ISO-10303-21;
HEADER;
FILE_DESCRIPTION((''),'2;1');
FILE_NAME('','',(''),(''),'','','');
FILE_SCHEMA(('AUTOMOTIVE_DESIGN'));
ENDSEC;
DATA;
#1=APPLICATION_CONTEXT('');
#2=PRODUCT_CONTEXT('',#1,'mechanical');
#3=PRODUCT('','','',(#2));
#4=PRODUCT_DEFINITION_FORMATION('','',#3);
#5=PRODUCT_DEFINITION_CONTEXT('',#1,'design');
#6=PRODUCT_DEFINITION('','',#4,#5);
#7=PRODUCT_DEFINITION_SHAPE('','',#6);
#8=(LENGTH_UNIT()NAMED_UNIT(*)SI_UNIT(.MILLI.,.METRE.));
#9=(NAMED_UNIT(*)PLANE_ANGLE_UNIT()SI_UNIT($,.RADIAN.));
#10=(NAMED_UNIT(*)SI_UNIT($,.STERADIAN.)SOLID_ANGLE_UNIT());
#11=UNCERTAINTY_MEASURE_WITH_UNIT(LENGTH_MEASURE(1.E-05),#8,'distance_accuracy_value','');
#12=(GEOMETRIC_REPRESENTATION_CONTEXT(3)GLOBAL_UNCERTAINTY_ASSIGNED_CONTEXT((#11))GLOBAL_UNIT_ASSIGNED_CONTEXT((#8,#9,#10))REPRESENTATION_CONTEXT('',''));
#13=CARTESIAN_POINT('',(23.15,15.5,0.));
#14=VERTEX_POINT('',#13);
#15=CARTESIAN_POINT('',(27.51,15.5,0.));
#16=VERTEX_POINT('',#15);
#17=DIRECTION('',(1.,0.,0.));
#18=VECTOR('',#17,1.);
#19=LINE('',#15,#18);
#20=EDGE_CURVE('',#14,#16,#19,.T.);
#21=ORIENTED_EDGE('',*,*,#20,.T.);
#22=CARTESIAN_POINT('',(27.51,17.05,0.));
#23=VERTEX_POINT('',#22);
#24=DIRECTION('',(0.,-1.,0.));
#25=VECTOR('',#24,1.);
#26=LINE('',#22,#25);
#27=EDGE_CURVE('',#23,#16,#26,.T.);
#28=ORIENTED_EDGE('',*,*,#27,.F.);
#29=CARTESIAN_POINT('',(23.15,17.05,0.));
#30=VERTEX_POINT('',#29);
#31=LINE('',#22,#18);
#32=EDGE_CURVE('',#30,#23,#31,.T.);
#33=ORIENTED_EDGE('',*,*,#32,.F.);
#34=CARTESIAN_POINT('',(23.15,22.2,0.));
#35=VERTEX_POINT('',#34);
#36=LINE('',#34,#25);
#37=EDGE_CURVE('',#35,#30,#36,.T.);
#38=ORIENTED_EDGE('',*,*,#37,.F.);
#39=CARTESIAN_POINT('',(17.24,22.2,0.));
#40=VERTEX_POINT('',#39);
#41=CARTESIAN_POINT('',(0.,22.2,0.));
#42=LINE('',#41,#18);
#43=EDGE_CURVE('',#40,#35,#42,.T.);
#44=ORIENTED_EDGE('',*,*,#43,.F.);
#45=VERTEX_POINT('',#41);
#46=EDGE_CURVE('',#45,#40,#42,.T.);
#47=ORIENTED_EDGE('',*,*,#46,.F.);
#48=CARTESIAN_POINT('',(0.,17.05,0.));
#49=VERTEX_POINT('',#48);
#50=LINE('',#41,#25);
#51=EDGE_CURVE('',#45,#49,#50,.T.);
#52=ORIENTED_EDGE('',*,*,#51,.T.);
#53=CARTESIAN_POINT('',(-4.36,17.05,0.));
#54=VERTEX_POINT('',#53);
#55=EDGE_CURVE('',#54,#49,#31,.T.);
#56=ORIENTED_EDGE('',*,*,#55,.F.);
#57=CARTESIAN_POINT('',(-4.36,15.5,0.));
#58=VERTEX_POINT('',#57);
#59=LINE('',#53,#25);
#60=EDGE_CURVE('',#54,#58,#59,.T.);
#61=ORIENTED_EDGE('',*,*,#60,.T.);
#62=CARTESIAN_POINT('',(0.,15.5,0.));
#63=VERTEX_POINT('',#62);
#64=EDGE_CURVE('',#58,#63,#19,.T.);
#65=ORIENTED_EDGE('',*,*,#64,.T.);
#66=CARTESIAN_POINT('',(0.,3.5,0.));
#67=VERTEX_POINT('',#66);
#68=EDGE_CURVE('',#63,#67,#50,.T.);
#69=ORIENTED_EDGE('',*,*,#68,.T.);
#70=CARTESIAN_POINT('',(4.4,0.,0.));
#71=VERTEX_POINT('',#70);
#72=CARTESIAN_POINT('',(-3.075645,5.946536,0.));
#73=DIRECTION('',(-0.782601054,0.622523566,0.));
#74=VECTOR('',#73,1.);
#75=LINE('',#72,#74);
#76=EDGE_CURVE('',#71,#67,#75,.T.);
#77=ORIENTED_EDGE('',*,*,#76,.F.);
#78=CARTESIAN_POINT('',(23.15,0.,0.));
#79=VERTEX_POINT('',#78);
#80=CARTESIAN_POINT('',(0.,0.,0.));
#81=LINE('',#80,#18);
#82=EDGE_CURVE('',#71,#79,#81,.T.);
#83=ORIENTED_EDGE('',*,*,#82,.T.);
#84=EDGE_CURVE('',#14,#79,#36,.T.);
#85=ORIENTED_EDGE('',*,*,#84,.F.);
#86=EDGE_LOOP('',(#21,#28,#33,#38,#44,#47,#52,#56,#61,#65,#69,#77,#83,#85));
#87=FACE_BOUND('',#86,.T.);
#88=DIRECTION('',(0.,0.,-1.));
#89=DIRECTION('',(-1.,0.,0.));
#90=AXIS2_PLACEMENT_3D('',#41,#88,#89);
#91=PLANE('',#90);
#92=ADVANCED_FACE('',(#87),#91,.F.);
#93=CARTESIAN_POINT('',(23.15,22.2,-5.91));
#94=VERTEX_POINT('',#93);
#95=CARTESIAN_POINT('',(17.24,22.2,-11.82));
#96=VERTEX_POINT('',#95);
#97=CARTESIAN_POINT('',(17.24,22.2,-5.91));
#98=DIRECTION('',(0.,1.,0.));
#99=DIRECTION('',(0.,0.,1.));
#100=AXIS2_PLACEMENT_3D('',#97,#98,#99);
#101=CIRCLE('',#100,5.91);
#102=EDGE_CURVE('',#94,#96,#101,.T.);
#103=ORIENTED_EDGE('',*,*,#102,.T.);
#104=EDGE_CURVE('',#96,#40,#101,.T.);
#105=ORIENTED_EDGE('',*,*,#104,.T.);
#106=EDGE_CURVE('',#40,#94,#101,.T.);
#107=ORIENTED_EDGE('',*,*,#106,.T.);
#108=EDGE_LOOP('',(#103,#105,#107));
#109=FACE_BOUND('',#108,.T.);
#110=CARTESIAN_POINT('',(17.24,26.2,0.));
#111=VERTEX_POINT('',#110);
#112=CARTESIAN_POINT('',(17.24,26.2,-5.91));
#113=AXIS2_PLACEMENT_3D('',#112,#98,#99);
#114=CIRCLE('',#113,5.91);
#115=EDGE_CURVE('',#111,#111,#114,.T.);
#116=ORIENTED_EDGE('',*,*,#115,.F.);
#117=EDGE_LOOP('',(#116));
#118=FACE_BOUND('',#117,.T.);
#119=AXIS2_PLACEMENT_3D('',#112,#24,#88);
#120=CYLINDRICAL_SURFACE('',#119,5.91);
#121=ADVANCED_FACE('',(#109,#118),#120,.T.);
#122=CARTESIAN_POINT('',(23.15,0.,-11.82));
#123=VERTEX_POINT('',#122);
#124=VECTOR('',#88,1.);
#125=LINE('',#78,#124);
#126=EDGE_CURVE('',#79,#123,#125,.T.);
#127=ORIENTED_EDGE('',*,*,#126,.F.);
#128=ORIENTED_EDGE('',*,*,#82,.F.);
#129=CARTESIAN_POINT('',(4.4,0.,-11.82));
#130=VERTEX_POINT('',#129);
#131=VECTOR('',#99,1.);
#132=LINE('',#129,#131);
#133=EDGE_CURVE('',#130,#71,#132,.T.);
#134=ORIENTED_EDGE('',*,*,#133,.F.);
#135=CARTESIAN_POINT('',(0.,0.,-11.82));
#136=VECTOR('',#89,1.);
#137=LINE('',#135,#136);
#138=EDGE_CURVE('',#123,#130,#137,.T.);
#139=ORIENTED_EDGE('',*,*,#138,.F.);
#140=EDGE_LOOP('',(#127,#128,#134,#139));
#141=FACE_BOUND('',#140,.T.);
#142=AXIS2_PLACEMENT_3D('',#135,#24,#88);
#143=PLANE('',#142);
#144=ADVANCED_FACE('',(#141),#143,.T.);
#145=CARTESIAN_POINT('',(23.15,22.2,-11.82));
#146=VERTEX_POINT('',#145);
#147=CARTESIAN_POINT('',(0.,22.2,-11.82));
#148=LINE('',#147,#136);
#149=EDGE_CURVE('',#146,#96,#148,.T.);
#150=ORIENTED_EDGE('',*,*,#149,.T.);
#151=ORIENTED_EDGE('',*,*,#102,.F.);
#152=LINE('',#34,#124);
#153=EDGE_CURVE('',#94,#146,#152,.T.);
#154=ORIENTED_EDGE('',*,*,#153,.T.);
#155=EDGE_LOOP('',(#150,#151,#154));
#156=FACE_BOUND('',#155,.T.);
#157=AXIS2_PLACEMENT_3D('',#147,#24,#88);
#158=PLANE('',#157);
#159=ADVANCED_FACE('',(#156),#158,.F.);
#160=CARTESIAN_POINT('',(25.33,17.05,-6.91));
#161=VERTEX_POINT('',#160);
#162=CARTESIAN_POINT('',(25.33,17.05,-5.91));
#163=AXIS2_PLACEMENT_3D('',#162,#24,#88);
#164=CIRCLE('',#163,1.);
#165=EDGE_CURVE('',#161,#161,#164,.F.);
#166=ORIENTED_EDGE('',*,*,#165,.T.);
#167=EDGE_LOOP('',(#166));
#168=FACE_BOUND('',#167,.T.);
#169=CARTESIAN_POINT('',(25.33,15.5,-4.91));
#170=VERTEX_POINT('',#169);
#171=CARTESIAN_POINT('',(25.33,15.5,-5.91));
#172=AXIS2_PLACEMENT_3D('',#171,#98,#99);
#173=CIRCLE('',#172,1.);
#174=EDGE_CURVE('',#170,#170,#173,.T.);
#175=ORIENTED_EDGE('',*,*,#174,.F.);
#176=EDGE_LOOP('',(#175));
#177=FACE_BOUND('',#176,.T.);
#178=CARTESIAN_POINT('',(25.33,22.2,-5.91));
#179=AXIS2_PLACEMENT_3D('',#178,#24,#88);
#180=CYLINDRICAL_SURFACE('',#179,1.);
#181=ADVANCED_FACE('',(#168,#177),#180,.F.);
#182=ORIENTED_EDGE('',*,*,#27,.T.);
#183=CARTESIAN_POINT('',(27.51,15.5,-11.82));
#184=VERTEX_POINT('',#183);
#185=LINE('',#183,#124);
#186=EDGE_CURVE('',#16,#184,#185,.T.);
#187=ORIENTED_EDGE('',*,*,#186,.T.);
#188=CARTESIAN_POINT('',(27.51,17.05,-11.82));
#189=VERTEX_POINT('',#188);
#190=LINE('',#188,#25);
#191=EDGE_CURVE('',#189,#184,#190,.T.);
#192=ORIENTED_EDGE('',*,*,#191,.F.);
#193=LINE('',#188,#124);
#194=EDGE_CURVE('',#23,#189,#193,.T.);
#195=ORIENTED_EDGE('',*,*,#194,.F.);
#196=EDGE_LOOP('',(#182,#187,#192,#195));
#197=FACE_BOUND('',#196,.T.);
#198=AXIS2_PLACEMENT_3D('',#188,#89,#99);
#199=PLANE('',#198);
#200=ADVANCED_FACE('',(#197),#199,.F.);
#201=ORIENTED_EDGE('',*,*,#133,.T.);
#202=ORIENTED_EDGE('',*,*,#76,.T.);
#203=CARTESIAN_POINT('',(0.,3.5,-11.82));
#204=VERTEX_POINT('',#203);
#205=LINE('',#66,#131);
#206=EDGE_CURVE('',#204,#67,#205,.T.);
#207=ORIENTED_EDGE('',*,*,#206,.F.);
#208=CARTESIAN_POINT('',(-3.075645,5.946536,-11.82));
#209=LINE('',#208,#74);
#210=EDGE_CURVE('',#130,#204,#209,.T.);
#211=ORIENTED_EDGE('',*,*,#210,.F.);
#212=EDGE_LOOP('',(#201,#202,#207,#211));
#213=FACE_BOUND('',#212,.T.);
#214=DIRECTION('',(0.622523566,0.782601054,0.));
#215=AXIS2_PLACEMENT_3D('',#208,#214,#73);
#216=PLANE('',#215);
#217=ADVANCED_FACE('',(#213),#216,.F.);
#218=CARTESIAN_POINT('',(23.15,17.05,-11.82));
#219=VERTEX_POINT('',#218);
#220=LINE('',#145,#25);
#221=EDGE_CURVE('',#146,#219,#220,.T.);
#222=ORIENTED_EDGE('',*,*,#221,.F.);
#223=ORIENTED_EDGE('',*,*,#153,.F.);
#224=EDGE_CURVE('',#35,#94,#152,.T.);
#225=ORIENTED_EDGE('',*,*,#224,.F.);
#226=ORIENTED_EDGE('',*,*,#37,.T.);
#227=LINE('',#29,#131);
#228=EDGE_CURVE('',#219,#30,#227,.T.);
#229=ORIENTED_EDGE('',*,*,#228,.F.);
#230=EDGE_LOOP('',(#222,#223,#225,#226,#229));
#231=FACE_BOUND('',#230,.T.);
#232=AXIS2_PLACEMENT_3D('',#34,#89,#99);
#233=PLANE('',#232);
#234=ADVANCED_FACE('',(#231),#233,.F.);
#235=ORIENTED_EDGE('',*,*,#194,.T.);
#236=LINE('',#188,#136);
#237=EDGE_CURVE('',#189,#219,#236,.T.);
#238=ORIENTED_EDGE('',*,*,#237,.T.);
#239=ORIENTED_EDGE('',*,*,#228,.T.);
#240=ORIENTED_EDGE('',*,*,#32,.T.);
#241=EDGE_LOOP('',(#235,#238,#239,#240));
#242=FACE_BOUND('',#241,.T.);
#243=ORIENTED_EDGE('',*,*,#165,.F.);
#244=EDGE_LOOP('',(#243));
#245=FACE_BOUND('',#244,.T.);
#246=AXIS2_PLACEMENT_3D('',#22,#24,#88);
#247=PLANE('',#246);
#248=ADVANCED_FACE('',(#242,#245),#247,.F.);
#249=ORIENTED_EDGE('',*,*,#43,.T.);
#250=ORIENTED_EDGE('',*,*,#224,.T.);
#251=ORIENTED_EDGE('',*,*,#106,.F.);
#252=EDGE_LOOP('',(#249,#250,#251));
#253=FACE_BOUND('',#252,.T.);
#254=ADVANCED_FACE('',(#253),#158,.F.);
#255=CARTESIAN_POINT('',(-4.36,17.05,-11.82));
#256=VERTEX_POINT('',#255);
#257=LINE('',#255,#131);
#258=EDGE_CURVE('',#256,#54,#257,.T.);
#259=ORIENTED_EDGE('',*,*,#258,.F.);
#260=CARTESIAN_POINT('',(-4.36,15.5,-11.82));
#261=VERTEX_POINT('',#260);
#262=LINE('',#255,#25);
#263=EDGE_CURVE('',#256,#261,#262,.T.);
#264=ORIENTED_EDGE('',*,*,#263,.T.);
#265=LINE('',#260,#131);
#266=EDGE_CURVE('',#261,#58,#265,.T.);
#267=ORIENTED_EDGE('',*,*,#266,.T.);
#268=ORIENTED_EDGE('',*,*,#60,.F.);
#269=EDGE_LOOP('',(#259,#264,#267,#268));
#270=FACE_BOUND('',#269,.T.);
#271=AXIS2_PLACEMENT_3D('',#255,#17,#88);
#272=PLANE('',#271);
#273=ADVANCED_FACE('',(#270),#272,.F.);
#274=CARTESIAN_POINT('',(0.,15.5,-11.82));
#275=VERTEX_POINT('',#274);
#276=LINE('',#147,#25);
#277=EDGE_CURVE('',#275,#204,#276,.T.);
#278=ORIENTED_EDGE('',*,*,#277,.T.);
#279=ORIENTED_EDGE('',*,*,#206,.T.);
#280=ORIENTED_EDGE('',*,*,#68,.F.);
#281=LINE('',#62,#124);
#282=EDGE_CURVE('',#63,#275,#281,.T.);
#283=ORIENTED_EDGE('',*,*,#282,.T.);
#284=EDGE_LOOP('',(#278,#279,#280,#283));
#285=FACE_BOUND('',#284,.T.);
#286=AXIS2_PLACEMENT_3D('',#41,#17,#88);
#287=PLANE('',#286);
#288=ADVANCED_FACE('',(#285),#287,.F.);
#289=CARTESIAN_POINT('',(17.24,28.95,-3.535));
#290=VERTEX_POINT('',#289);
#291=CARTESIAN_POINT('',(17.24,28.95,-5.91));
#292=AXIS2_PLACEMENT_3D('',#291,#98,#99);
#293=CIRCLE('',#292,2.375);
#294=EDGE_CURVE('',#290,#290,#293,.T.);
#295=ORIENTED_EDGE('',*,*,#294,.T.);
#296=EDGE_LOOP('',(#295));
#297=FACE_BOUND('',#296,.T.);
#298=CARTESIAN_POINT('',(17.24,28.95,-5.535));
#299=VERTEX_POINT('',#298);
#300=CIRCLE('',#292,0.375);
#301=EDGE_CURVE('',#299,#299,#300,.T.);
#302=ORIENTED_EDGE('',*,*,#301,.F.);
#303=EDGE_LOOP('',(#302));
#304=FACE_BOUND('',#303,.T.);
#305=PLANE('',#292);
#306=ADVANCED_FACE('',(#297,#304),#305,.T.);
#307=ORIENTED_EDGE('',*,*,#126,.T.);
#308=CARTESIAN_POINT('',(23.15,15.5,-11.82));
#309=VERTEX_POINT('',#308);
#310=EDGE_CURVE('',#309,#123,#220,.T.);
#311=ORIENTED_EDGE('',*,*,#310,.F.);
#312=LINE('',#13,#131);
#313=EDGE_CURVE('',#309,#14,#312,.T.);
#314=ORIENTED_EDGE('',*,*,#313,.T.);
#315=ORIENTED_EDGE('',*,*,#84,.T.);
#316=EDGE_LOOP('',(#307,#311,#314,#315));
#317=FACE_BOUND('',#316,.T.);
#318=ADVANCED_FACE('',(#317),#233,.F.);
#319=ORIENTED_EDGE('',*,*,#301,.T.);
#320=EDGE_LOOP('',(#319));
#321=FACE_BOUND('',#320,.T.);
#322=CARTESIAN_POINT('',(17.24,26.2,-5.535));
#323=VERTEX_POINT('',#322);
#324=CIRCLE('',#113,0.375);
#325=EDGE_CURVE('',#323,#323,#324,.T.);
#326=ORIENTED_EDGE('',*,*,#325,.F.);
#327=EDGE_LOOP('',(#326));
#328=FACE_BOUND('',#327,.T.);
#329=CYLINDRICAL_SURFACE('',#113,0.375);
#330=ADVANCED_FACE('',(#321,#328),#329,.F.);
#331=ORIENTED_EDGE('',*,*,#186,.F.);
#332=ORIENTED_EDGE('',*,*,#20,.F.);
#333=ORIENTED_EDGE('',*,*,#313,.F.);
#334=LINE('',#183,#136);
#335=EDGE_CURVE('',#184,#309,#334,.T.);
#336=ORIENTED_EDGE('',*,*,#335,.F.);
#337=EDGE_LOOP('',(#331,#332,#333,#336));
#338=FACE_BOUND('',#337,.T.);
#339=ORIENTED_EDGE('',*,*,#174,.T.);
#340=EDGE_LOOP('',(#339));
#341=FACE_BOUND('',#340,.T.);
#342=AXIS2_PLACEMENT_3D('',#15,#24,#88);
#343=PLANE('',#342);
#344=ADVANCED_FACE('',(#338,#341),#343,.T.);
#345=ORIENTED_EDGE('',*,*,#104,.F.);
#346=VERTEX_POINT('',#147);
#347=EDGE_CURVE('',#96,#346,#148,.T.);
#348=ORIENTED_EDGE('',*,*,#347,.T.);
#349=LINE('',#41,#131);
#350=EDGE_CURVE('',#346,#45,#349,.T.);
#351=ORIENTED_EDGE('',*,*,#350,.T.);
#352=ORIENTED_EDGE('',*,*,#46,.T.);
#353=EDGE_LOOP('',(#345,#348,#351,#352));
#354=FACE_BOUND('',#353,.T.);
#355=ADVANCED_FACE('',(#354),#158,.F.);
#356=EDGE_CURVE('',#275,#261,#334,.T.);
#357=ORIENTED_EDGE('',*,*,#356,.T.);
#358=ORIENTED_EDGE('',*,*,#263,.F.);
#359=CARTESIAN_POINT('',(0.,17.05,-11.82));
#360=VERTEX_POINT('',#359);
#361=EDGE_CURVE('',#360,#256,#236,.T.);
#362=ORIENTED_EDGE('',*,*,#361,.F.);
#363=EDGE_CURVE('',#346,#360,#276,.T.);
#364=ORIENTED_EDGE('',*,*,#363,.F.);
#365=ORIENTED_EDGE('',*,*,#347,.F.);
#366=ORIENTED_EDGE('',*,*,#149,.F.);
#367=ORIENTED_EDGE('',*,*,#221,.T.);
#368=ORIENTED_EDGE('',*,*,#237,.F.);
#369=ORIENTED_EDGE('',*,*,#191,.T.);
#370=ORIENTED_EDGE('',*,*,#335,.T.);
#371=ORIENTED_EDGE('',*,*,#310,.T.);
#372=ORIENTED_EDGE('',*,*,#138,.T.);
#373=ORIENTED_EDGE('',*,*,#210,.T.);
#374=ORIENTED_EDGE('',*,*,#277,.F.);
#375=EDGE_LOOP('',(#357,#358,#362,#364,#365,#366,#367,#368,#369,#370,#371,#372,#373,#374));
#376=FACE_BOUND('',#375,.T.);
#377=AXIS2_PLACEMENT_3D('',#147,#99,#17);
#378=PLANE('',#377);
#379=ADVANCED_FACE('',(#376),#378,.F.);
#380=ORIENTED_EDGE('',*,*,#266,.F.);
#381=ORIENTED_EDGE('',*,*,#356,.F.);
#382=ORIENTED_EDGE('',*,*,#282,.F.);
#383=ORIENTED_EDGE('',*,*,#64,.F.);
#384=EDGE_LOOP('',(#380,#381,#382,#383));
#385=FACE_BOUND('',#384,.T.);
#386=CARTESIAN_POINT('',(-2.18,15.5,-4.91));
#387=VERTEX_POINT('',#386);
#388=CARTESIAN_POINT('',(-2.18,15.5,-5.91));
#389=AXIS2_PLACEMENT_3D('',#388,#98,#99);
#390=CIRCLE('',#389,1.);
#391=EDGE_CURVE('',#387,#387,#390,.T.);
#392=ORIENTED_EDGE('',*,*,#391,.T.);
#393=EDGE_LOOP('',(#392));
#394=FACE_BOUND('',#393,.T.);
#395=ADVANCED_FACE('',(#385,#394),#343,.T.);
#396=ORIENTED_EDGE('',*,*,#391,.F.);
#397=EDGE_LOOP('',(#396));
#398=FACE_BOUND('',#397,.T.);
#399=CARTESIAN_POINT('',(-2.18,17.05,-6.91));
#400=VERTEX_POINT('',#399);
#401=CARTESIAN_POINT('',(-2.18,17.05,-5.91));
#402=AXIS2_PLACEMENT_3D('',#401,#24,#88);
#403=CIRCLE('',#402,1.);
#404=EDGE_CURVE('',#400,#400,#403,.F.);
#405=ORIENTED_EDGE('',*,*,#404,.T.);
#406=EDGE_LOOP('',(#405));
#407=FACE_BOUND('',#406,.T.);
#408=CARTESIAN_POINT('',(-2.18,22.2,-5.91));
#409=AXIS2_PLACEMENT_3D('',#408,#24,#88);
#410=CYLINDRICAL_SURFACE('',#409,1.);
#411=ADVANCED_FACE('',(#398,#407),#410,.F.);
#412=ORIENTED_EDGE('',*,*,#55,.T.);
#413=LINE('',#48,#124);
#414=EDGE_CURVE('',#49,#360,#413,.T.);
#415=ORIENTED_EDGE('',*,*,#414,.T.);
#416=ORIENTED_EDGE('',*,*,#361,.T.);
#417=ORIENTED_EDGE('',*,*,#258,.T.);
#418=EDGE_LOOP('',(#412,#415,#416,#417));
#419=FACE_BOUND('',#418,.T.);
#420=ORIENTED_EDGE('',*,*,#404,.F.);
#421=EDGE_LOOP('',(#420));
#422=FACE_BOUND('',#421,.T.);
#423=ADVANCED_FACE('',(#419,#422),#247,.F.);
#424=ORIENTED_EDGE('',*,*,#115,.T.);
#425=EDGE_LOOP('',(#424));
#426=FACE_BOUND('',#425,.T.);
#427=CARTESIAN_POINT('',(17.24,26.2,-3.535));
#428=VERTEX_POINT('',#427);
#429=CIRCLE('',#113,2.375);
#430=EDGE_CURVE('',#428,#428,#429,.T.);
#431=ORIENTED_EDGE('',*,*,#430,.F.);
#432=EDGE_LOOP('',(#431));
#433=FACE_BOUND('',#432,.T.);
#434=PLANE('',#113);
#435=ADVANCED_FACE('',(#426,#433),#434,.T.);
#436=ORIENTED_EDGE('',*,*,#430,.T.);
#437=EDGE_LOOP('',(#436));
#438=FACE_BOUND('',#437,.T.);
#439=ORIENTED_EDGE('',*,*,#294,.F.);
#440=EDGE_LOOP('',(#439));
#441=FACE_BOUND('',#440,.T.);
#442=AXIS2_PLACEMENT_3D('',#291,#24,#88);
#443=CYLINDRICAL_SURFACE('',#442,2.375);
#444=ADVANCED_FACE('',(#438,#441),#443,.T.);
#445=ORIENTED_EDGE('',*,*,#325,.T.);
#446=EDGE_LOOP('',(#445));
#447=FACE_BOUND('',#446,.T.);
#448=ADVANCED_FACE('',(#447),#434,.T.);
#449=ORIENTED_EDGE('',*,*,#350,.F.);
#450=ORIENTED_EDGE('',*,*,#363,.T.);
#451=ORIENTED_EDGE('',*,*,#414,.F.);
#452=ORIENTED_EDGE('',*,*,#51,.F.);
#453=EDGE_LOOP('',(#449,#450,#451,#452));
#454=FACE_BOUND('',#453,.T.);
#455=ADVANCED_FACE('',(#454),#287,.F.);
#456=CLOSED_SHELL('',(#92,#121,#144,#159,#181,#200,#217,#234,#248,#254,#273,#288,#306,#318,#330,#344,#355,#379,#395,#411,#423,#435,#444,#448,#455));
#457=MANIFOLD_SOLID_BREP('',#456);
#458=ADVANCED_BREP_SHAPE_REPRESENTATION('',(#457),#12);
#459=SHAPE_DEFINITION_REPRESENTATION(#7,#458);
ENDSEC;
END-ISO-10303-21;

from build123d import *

# Parameters (mm, degrees)
SKETCH1_W           = 23.15
SKETCH1_H           = 11.82
BOSS_EXTRUDE1_DEPTH = 22.2
SKETCH2_W           = 31.87
SKETCH2_H           = 11.82
BOSS_EXTRUDE2_DEPTH = 1.55
SKETCH3_R           = 1
CUT_EXTRUDE1_DEPTH  = 7.7
CUT_EXTRUDE2_DEPTH  = 12.82
SKETCH5_R           = 5.91
BOSS_EXTRUDE3_DEPTH = 4
SKETCH6_R           = 2.375
BOSS_EXTRUDE4_DEPTH = 2.75
SKETCH7_R           = 0.375
CUT_EXTRUDE3_DEPTH  = 2.75


with BuildPart() as part:
    # Sketch1 → Boss-Extrude1 (new body)
    with BuildSketch(Plane(origin=(0, 0, 0), x_dir=(1, 0, 0), z_dir=(0, 1, 0))):
        with Locations((11.575, 5.91)):
            Rectangle(SKETCH1_W, SKETCH1_H)
    extrude(amount=BOSS_EXTRUDE1_DEPTH)

    # Sketch2 → Boss-Extrude2 (add)
    with BuildSketch(Plane(origin=(0, 15.5, 0), x_dir=(-1, 0, 0), z_dir=(0, 1, 0))):
        with Locations((-11.575, -5.91)):
            Rectangle(SKETCH2_W, SKETCH2_H)
    extrude(amount=BOSS_EXTRUDE2_DEPTH)

    # Sketch3 → Cut-Extrude1 (cut, through all)
    with BuildSketch(Plane(origin=(0, 15.5, 0), x_dir=(-1, 0, 0), z_dir=(0, 1, 0))):
        with Locations((-25.33, -5.91)):
            Circle(SKETCH3_R)
        with Locations((2.18, -5.91)):
            Circle(SKETCH3_R)
    extrude(amount=CUT_EXTRUDE1_DEPTH, mode=Mode.SUBTRACT)

    # Sketch4 → Cut-Extrude2 (cut, through all)
    with BuildSketch(Plane.XY):
        Polygon((-3.075644921, 5.946535733), (9.026256409, -3.679976689), (-2.538069932, -3.679976689), align=None)
    extrude(amount=-CUT_EXTRUDE2_DEPTH, mode=Mode.SUBTRACT)

    # Sketch5 → Boss-Extrude3 (add)
    with BuildSketch(Plane(origin=(0, 22.2, 0), x_dir=(1, 0, 0), z_dir=(0, 1, 0))):
        with Locations((17.24, 5.91)):
            Circle(SKETCH5_R)
    extrude(amount=BOSS_EXTRUDE3_DEPTH)

    # Sketch6 → Boss-Extrude4 (add)
    with BuildSketch(Plane(origin=(0, 26.2, 0), x_dir=(1, 0, 0), z_dir=(0, 1, 0))):
        with Locations((17.24, 5.91)):
            Circle(SKETCH6_R)
    extrude(amount=BOSS_EXTRUDE4_DEPTH)

    # Sketch7 → Cut-Extrude3 (cut)
    with BuildSketch(Plane(origin=(0, 28.95, 0), x_dir=(1, 0, 0), z_dir=(0, 1, 0))):
        with Locations((17.24, 5.91)):
            Circle(SKETCH7_R)
    extrude(amount=-CUT_EXTRUDE3_DEPTH, mode=Mode.SUBTRACT)


solid = part.part
